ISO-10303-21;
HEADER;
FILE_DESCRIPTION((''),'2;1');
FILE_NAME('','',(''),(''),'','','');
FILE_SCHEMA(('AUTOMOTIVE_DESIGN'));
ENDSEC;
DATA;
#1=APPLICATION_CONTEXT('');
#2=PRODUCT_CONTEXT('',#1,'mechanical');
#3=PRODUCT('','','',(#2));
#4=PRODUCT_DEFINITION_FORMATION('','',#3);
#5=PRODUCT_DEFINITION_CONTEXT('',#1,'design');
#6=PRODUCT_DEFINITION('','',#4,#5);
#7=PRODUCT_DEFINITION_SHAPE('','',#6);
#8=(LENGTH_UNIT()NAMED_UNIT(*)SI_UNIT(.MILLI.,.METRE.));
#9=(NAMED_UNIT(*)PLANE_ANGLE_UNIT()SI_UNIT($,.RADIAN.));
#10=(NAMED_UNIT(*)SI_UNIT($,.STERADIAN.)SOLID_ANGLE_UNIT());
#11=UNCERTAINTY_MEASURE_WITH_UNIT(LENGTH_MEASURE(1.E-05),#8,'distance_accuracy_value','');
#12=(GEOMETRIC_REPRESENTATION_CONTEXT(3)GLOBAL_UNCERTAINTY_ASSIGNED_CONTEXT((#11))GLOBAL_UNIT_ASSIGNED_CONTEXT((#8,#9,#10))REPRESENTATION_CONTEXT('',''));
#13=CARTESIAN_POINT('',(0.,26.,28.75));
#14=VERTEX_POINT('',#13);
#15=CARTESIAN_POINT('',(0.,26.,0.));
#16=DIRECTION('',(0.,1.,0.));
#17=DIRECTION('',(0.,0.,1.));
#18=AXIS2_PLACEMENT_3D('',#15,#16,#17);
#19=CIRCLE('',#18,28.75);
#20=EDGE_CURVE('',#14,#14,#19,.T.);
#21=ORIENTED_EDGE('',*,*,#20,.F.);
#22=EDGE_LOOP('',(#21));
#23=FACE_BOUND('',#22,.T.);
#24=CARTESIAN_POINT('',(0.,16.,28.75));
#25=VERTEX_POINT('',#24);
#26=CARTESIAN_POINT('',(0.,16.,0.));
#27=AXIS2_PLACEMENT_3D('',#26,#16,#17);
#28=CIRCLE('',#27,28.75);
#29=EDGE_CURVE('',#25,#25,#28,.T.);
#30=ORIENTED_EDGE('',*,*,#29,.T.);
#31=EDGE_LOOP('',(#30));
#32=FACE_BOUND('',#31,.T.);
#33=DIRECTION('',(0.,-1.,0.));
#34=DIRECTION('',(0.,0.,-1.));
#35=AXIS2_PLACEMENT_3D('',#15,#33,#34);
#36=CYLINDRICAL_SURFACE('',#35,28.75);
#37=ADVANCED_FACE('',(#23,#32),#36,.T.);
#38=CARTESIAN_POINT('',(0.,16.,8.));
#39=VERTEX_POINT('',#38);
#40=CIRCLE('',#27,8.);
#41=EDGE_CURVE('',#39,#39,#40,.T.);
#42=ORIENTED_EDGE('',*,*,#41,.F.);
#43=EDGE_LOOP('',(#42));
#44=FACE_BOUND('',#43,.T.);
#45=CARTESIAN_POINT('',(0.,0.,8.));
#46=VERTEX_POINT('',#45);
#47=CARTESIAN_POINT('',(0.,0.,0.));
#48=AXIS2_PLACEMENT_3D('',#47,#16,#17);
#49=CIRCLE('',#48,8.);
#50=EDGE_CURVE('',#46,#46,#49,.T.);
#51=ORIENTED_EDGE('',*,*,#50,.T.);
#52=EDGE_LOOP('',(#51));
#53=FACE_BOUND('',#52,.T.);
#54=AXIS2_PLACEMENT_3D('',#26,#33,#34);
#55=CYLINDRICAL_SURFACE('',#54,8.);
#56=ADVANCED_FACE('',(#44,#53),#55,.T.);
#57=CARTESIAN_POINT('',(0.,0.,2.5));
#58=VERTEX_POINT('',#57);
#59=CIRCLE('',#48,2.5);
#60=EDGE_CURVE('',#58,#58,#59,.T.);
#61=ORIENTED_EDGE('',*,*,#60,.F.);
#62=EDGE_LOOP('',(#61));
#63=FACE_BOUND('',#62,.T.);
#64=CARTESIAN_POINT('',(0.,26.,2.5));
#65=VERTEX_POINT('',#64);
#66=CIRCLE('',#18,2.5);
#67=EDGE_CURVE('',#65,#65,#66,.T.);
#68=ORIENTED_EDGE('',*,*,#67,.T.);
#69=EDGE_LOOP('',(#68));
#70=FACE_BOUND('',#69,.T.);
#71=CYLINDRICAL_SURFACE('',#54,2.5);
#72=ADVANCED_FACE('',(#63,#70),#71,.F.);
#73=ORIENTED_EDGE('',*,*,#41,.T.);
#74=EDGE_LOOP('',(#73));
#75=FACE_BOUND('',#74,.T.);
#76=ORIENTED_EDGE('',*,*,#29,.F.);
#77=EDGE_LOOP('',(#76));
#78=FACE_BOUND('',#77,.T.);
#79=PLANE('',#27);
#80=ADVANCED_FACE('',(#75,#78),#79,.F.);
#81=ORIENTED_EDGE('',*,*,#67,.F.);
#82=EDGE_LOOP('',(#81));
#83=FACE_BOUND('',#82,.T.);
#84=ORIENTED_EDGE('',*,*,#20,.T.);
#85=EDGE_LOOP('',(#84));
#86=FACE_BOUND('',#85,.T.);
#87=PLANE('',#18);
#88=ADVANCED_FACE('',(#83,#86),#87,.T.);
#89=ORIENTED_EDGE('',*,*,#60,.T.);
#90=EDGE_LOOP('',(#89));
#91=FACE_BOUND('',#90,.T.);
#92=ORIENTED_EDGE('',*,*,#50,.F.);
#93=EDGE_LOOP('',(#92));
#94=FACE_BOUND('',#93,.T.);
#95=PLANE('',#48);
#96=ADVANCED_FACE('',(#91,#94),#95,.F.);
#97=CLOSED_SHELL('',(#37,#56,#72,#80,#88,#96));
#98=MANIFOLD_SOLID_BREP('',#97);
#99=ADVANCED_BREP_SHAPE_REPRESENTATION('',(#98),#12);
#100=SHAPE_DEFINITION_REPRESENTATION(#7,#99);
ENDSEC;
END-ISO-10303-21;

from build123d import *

# Parameters (mm, degrees)
SKETCH1_R           = 8
SKETCH1_R_2         = 2.5
BOSS_EXTRUDE1_DEPTH = 16
SKETCH2_R           = 28.75
SKETCH2_R_2         = 2.5
BOSS_EXTRUDE2_DEPTH = 10


with BuildPart() as part:
    # Sketch1 → Boss-Extrude1 (new body)
    with BuildSketch(Plane(origin=(0, 0, 0), x_dir=(1, 0, 0), z_dir=(0, 1, 0))):
        with Locations(Location((0, 0, 0), (0, 0, 270))):
            Circle(SKETCH1_R)
        with Locations(Location((0, 0, 0), (0, 0, 270))):
            Circle(SKETCH1_R_2, mode=Mode.SUBTRACT)
    extrude(amount=BOSS_EXTRUDE1_DEPTH)

    # Sketch2 → Boss-Extrude2 (add)
    with BuildSketch(Plane(origin=(0, 16, 0), x_dir=(1, 0, 0), z_dir=(0, 1, 0))):
        with Locations(Location((0, 0, 0), (0, 0, 270))):
            Circle(SKETCH2_R)
        with Locations(Location((0, 0, 0), (0, 0, 270))):
            Circle(SKETCH2_R_2, mode=Mode.SUBTRACT)
    extrude(amount=BOSS_EXTRUDE2_DEPTH)


solid = part.part
